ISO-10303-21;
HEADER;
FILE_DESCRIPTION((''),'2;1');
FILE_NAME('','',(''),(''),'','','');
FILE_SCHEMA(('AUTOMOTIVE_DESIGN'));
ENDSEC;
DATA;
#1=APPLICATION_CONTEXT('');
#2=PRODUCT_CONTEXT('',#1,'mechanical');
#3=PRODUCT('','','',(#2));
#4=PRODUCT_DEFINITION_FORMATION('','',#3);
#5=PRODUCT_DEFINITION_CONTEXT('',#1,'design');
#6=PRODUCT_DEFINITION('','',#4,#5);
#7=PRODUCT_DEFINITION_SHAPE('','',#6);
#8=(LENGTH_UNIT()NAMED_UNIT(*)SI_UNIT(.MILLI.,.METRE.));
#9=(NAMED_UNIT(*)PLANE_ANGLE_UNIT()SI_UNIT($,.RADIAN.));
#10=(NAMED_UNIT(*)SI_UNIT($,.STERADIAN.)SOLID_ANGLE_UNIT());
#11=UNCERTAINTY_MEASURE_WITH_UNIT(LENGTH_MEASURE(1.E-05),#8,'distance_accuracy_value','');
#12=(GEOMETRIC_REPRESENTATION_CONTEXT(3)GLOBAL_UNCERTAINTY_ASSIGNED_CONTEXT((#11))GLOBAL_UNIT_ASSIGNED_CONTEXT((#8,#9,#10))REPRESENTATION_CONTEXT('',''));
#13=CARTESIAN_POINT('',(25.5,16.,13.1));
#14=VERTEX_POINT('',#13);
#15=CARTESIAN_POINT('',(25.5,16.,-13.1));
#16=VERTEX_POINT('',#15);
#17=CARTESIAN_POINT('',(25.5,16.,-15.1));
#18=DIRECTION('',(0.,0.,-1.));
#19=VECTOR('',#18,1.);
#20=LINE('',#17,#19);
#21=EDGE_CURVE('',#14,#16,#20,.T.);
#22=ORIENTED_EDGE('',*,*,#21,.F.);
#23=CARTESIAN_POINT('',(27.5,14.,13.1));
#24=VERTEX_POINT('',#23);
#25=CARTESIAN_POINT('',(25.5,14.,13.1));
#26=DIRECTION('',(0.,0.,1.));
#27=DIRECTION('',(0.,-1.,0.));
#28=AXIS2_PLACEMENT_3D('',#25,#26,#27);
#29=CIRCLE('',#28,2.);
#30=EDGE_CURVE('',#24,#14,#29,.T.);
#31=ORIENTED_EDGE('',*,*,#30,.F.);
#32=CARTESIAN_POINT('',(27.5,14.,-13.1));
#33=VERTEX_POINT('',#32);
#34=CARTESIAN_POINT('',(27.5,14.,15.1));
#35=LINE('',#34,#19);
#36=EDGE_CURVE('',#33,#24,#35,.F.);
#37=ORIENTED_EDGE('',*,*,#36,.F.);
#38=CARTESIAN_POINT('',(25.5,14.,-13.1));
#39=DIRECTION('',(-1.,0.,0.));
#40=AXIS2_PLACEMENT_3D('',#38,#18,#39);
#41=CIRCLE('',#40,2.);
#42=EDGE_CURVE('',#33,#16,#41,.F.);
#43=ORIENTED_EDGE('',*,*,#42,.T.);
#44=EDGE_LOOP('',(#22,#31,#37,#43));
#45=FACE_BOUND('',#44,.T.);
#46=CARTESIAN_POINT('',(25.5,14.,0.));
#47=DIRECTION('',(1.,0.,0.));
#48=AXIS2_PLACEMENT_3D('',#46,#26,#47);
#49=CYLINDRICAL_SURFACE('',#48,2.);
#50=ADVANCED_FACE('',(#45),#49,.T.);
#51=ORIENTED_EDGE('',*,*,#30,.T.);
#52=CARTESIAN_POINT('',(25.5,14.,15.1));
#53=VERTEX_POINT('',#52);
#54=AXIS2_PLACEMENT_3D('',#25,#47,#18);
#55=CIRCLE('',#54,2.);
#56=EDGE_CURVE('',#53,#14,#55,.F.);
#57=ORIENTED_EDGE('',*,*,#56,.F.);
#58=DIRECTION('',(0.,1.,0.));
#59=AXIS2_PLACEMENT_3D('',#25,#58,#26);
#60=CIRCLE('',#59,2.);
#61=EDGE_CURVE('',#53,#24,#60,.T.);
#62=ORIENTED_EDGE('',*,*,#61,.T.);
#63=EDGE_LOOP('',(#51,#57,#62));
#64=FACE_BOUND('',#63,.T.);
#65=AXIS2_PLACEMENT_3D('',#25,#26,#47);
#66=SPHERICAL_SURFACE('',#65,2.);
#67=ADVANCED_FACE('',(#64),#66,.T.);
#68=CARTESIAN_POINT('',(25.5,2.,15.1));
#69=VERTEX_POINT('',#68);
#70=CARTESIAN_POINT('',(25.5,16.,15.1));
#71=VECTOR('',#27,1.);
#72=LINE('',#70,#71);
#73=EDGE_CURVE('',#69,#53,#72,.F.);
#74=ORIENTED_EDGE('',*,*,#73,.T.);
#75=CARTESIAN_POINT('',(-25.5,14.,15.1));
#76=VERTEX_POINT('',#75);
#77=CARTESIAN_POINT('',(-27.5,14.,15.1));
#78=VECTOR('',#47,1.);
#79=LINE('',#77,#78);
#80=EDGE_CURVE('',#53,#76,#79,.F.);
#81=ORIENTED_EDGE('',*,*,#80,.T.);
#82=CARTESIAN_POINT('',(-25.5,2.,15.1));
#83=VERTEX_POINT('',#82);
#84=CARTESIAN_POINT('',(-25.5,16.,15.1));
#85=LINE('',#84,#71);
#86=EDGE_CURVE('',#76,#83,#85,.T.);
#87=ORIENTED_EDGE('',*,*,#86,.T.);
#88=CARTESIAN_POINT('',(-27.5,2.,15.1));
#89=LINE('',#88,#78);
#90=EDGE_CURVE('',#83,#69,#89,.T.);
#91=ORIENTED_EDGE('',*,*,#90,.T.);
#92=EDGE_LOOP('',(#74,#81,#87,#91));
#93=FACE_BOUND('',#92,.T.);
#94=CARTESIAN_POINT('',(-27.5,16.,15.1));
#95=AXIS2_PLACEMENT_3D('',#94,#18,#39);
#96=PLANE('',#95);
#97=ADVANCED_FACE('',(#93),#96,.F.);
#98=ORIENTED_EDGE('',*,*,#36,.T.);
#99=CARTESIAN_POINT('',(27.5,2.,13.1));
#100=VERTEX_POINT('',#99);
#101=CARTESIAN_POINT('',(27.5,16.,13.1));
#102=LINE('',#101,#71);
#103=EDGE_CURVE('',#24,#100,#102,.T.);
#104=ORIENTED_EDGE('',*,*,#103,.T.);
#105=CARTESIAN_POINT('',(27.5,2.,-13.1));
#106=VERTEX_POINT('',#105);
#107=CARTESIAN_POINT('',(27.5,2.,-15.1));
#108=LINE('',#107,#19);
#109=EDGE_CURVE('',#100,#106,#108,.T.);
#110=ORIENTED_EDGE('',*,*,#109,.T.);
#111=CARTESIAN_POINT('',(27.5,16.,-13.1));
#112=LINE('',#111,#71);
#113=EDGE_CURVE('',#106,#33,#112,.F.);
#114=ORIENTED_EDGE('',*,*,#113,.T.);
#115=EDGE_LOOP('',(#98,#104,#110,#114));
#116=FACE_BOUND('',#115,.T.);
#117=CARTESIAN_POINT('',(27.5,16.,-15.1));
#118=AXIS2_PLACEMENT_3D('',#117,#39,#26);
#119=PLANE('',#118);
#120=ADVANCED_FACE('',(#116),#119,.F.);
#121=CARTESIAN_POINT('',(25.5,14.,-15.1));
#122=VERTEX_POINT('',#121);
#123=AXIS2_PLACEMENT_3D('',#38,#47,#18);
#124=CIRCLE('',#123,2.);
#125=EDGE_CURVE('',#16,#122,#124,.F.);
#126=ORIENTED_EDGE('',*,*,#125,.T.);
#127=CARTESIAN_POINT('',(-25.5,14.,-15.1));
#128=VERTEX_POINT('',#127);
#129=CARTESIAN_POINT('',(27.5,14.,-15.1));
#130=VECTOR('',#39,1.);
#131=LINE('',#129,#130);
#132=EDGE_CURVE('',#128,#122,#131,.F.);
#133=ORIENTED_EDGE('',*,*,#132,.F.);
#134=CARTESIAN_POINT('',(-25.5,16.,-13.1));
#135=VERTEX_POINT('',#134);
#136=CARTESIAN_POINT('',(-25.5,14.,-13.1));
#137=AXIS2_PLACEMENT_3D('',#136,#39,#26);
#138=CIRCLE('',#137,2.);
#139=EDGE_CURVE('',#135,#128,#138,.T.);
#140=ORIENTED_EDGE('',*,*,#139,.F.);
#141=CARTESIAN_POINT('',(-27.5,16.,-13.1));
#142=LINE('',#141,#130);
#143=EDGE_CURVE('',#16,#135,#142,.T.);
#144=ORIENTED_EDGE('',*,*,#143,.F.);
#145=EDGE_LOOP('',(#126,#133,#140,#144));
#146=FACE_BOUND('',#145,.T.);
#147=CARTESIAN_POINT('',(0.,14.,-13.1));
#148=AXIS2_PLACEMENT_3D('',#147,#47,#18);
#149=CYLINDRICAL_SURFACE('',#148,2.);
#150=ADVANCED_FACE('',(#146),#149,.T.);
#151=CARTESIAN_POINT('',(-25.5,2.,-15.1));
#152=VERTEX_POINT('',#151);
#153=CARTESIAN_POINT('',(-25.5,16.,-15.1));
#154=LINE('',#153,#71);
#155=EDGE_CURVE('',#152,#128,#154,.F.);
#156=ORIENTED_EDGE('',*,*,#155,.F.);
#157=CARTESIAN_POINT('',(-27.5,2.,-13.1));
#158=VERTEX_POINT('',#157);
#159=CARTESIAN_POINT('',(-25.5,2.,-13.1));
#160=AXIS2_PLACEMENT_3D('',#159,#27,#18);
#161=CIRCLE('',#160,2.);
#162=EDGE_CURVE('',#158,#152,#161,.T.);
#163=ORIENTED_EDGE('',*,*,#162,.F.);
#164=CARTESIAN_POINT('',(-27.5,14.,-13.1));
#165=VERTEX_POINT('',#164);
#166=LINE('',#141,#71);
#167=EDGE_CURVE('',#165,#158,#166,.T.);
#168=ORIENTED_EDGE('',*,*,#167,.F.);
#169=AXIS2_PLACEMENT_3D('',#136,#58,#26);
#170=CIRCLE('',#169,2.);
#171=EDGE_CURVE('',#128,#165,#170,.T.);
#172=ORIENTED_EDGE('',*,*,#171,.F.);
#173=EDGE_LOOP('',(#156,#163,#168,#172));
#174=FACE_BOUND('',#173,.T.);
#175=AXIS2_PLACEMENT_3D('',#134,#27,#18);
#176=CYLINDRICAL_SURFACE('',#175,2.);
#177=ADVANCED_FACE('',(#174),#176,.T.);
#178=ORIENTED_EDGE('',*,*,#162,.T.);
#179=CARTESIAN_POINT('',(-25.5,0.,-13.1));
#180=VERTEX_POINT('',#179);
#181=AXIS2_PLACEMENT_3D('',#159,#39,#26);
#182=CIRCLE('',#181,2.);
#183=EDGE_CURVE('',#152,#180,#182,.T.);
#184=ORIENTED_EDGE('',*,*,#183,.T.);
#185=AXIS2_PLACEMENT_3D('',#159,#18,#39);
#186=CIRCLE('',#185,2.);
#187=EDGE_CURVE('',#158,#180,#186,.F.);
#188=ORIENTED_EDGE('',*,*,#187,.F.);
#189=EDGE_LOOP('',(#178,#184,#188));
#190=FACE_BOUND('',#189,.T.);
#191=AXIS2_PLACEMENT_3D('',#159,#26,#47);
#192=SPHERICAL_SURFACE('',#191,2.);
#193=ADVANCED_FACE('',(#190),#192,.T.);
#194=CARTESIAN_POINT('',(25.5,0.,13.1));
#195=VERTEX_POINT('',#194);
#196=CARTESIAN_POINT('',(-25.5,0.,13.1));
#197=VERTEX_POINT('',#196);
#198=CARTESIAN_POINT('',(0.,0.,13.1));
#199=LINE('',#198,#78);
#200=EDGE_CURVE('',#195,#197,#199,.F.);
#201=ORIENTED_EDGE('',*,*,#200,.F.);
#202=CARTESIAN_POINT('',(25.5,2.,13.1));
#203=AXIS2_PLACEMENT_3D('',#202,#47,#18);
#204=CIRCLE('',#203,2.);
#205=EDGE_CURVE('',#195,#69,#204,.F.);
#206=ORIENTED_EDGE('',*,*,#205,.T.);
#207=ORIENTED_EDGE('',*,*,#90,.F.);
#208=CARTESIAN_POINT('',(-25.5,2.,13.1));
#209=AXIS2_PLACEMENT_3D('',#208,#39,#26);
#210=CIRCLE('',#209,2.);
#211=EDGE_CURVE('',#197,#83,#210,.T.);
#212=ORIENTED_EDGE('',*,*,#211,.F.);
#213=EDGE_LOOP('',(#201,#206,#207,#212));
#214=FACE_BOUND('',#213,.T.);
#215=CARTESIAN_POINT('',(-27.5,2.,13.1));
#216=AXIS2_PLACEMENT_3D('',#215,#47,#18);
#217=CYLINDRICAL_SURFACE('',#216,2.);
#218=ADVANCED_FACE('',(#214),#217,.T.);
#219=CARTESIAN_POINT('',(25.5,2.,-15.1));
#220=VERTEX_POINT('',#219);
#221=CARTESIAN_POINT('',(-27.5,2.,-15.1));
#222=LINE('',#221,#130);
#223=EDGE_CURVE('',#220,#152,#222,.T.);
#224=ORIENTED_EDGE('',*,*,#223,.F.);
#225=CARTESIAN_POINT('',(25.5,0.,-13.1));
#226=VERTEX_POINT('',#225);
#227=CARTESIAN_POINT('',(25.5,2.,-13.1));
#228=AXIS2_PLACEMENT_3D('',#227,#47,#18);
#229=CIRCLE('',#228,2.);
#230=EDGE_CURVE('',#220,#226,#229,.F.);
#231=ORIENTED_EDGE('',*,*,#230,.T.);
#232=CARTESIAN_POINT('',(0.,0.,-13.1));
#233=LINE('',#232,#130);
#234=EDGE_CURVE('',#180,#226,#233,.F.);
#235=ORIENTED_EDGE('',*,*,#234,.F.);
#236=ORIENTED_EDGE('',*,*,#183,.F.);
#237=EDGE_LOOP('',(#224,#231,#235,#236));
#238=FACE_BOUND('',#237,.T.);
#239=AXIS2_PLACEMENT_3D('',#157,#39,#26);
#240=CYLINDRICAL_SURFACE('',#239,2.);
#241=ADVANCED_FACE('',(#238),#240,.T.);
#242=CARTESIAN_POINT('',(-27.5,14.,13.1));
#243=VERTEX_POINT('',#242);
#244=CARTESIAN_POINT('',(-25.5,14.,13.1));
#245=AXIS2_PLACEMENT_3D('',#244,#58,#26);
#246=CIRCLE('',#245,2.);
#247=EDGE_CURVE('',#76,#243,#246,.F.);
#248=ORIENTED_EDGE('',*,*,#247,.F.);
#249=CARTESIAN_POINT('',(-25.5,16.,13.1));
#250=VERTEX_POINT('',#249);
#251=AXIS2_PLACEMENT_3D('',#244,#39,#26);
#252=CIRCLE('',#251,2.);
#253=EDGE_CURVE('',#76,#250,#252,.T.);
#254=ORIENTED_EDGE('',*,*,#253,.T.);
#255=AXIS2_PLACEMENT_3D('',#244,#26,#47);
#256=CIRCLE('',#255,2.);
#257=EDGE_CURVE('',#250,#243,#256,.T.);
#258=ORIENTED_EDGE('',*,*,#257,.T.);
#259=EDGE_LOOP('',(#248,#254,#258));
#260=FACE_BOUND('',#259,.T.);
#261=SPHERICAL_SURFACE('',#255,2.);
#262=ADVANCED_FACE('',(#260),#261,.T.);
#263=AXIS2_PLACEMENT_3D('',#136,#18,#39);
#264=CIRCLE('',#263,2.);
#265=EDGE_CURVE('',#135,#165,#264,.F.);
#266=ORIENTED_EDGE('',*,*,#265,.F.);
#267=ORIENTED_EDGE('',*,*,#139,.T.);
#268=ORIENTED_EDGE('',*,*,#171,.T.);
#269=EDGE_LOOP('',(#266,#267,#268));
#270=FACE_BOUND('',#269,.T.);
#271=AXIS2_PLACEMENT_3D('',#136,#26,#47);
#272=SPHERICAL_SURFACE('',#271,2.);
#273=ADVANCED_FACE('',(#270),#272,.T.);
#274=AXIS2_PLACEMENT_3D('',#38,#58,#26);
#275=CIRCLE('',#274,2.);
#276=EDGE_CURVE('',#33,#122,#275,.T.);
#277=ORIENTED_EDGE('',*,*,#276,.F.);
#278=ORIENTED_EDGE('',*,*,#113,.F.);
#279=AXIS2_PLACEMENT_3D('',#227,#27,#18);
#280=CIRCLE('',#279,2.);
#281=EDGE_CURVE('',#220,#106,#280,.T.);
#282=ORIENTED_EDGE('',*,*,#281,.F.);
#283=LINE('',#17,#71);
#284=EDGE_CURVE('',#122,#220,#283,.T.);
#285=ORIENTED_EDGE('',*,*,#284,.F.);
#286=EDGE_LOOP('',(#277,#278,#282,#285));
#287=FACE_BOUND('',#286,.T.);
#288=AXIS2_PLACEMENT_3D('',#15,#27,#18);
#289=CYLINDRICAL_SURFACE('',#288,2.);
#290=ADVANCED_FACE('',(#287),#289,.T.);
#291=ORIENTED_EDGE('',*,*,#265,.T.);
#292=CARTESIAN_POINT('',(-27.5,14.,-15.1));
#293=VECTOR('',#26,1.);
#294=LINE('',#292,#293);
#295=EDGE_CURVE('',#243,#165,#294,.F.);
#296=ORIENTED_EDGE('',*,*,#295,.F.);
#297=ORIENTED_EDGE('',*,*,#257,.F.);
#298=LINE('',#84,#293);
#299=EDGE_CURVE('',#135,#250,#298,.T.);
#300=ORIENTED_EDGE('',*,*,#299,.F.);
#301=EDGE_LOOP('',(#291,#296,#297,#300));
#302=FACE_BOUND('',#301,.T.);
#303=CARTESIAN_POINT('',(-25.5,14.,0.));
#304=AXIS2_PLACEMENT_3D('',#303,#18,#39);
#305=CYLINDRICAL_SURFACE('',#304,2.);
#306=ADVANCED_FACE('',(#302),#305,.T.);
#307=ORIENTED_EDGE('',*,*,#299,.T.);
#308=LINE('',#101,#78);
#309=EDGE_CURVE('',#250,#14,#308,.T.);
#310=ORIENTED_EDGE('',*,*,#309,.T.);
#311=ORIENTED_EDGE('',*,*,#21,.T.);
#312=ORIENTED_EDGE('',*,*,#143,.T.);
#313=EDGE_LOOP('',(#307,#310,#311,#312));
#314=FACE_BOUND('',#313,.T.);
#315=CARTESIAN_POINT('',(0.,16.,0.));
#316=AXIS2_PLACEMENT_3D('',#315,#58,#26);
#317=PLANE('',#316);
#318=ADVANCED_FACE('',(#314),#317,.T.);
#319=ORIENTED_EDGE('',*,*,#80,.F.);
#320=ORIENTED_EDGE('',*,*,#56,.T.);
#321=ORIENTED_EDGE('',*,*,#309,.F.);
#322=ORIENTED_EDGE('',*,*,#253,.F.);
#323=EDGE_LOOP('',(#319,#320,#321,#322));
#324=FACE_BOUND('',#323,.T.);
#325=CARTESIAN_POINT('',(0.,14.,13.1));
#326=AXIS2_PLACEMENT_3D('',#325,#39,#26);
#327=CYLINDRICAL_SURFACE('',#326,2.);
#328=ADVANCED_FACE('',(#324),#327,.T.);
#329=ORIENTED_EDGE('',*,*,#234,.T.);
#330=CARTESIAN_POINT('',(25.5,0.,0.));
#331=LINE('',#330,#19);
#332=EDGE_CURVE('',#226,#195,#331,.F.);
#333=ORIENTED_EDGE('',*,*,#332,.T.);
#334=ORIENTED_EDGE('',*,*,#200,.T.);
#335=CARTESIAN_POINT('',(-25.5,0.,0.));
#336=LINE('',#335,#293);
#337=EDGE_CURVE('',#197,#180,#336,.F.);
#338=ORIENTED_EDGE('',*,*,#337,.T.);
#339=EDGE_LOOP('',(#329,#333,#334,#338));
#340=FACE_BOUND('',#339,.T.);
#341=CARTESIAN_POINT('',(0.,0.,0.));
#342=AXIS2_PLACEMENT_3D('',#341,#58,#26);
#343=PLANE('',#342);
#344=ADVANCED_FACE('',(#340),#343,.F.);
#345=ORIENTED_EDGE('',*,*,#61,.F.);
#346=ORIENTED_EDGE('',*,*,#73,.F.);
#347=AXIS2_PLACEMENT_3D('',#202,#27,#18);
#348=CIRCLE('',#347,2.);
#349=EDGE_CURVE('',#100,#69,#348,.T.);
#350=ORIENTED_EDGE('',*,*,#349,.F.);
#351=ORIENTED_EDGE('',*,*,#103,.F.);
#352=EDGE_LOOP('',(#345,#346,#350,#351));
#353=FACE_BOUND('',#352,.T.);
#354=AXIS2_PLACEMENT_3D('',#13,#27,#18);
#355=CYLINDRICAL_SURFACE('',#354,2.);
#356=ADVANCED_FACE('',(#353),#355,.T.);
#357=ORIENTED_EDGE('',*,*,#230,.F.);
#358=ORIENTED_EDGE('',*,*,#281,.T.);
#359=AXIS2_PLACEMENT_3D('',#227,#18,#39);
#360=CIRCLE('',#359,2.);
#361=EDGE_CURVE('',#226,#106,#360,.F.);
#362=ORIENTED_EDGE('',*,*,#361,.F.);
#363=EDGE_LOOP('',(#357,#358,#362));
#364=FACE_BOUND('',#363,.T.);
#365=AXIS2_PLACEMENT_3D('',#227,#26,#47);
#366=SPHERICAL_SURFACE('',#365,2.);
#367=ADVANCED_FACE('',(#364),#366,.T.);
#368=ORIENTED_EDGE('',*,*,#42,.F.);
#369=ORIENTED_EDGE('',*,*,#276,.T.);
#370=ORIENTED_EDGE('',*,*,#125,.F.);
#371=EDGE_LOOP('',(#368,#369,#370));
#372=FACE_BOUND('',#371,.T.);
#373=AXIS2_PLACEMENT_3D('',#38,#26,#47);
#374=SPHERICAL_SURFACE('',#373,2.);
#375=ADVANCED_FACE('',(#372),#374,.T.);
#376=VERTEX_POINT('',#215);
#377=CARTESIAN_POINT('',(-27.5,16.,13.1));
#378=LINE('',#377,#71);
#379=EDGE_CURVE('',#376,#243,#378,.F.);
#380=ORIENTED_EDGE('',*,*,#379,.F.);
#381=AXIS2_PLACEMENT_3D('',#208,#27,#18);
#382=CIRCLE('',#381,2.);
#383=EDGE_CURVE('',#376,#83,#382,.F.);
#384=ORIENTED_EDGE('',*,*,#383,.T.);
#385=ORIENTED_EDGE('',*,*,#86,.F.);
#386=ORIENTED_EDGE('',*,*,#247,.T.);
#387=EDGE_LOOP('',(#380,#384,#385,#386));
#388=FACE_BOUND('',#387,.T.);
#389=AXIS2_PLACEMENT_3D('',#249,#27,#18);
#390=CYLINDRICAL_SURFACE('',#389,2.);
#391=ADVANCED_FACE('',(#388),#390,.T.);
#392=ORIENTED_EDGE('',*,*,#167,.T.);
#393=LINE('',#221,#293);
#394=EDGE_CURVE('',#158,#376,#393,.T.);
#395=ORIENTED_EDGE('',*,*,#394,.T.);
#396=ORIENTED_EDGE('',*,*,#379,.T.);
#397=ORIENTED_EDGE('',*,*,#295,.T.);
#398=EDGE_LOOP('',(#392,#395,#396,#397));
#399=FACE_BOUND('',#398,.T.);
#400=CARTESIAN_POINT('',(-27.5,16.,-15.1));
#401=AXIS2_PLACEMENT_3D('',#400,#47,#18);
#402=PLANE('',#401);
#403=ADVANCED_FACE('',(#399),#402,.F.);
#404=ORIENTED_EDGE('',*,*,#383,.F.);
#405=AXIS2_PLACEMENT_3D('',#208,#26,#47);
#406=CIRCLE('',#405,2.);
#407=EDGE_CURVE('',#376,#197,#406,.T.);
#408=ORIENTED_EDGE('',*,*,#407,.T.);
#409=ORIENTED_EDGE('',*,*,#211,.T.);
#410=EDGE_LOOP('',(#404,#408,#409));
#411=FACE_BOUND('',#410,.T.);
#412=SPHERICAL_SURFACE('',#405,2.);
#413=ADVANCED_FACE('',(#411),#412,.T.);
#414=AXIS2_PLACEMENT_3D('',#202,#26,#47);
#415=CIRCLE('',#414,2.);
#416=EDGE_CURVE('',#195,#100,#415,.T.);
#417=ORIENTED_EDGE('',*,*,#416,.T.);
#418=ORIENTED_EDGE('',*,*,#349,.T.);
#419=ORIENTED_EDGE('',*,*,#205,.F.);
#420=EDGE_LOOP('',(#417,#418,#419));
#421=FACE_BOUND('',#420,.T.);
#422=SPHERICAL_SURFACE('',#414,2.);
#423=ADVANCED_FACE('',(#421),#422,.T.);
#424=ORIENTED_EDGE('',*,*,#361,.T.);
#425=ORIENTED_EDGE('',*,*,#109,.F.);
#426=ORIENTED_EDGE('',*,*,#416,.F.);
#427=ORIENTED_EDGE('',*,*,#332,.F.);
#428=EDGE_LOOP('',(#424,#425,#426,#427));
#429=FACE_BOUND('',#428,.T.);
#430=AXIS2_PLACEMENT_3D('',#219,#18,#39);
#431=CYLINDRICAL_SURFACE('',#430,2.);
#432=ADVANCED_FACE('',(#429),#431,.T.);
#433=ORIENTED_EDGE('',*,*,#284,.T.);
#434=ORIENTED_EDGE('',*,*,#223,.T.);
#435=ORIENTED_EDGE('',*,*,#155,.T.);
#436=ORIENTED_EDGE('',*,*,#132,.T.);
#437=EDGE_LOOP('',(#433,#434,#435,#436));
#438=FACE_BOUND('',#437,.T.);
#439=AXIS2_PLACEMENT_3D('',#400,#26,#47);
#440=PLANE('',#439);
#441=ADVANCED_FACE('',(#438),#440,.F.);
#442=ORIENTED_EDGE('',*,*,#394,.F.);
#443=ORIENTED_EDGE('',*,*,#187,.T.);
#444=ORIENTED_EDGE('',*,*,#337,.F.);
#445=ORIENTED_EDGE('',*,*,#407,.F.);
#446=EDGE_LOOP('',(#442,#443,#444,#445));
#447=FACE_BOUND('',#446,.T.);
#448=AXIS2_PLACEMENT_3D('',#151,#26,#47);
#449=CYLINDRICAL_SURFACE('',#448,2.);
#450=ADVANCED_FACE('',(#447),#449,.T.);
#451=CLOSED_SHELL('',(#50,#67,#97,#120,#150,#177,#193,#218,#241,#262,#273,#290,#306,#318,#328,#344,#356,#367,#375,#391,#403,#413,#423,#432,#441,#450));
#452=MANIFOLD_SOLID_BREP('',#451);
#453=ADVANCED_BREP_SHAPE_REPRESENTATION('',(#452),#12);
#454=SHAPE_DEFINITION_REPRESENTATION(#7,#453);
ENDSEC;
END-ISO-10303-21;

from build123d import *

# Parameters (mm, degrees)
ESBO_O1_W                = 55
ESBO_O1_H                = 30.2
RESSALTO_EXTRUS_O1_DEPTH = 16
FILETE1_R                = 2


with BuildPart() as part:
    # Esboço1 → Ressalto-extrusão1 (new body)
    with BuildSketch(Plane(origin=(0, 0, 0), x_dir=(1, 0, 0), z_dir=(0, 1, 0))):
        Rectangle(ESBO_O1_W, ESBO_O1_H)
    extrude(amount=RESSALTO_EXTRUS_O1_DEPTH)

    # Filete1
    filete1_edges = [part.edges().sort_by_distance(p)[0] for p in [
        (-27.5, 16, 0),
        (0, 16, 15.1),
        (27.5, 16, 0),
        (0, 0, 15.1),
        (-27.5, 0, 0),
        (0, 0, -15.1),
        (27.5, 0, 0),
        (0, 16, -15.1),
        (27.5, 8, 15.1),
        (-27.5, 8, 15.1),
        (-27.5, 8, -15.1),
        (27.5, 8, -15.1),
    ]]
    fillet(filete1_edges, radius=FILETE1_R)


solid = part.part
